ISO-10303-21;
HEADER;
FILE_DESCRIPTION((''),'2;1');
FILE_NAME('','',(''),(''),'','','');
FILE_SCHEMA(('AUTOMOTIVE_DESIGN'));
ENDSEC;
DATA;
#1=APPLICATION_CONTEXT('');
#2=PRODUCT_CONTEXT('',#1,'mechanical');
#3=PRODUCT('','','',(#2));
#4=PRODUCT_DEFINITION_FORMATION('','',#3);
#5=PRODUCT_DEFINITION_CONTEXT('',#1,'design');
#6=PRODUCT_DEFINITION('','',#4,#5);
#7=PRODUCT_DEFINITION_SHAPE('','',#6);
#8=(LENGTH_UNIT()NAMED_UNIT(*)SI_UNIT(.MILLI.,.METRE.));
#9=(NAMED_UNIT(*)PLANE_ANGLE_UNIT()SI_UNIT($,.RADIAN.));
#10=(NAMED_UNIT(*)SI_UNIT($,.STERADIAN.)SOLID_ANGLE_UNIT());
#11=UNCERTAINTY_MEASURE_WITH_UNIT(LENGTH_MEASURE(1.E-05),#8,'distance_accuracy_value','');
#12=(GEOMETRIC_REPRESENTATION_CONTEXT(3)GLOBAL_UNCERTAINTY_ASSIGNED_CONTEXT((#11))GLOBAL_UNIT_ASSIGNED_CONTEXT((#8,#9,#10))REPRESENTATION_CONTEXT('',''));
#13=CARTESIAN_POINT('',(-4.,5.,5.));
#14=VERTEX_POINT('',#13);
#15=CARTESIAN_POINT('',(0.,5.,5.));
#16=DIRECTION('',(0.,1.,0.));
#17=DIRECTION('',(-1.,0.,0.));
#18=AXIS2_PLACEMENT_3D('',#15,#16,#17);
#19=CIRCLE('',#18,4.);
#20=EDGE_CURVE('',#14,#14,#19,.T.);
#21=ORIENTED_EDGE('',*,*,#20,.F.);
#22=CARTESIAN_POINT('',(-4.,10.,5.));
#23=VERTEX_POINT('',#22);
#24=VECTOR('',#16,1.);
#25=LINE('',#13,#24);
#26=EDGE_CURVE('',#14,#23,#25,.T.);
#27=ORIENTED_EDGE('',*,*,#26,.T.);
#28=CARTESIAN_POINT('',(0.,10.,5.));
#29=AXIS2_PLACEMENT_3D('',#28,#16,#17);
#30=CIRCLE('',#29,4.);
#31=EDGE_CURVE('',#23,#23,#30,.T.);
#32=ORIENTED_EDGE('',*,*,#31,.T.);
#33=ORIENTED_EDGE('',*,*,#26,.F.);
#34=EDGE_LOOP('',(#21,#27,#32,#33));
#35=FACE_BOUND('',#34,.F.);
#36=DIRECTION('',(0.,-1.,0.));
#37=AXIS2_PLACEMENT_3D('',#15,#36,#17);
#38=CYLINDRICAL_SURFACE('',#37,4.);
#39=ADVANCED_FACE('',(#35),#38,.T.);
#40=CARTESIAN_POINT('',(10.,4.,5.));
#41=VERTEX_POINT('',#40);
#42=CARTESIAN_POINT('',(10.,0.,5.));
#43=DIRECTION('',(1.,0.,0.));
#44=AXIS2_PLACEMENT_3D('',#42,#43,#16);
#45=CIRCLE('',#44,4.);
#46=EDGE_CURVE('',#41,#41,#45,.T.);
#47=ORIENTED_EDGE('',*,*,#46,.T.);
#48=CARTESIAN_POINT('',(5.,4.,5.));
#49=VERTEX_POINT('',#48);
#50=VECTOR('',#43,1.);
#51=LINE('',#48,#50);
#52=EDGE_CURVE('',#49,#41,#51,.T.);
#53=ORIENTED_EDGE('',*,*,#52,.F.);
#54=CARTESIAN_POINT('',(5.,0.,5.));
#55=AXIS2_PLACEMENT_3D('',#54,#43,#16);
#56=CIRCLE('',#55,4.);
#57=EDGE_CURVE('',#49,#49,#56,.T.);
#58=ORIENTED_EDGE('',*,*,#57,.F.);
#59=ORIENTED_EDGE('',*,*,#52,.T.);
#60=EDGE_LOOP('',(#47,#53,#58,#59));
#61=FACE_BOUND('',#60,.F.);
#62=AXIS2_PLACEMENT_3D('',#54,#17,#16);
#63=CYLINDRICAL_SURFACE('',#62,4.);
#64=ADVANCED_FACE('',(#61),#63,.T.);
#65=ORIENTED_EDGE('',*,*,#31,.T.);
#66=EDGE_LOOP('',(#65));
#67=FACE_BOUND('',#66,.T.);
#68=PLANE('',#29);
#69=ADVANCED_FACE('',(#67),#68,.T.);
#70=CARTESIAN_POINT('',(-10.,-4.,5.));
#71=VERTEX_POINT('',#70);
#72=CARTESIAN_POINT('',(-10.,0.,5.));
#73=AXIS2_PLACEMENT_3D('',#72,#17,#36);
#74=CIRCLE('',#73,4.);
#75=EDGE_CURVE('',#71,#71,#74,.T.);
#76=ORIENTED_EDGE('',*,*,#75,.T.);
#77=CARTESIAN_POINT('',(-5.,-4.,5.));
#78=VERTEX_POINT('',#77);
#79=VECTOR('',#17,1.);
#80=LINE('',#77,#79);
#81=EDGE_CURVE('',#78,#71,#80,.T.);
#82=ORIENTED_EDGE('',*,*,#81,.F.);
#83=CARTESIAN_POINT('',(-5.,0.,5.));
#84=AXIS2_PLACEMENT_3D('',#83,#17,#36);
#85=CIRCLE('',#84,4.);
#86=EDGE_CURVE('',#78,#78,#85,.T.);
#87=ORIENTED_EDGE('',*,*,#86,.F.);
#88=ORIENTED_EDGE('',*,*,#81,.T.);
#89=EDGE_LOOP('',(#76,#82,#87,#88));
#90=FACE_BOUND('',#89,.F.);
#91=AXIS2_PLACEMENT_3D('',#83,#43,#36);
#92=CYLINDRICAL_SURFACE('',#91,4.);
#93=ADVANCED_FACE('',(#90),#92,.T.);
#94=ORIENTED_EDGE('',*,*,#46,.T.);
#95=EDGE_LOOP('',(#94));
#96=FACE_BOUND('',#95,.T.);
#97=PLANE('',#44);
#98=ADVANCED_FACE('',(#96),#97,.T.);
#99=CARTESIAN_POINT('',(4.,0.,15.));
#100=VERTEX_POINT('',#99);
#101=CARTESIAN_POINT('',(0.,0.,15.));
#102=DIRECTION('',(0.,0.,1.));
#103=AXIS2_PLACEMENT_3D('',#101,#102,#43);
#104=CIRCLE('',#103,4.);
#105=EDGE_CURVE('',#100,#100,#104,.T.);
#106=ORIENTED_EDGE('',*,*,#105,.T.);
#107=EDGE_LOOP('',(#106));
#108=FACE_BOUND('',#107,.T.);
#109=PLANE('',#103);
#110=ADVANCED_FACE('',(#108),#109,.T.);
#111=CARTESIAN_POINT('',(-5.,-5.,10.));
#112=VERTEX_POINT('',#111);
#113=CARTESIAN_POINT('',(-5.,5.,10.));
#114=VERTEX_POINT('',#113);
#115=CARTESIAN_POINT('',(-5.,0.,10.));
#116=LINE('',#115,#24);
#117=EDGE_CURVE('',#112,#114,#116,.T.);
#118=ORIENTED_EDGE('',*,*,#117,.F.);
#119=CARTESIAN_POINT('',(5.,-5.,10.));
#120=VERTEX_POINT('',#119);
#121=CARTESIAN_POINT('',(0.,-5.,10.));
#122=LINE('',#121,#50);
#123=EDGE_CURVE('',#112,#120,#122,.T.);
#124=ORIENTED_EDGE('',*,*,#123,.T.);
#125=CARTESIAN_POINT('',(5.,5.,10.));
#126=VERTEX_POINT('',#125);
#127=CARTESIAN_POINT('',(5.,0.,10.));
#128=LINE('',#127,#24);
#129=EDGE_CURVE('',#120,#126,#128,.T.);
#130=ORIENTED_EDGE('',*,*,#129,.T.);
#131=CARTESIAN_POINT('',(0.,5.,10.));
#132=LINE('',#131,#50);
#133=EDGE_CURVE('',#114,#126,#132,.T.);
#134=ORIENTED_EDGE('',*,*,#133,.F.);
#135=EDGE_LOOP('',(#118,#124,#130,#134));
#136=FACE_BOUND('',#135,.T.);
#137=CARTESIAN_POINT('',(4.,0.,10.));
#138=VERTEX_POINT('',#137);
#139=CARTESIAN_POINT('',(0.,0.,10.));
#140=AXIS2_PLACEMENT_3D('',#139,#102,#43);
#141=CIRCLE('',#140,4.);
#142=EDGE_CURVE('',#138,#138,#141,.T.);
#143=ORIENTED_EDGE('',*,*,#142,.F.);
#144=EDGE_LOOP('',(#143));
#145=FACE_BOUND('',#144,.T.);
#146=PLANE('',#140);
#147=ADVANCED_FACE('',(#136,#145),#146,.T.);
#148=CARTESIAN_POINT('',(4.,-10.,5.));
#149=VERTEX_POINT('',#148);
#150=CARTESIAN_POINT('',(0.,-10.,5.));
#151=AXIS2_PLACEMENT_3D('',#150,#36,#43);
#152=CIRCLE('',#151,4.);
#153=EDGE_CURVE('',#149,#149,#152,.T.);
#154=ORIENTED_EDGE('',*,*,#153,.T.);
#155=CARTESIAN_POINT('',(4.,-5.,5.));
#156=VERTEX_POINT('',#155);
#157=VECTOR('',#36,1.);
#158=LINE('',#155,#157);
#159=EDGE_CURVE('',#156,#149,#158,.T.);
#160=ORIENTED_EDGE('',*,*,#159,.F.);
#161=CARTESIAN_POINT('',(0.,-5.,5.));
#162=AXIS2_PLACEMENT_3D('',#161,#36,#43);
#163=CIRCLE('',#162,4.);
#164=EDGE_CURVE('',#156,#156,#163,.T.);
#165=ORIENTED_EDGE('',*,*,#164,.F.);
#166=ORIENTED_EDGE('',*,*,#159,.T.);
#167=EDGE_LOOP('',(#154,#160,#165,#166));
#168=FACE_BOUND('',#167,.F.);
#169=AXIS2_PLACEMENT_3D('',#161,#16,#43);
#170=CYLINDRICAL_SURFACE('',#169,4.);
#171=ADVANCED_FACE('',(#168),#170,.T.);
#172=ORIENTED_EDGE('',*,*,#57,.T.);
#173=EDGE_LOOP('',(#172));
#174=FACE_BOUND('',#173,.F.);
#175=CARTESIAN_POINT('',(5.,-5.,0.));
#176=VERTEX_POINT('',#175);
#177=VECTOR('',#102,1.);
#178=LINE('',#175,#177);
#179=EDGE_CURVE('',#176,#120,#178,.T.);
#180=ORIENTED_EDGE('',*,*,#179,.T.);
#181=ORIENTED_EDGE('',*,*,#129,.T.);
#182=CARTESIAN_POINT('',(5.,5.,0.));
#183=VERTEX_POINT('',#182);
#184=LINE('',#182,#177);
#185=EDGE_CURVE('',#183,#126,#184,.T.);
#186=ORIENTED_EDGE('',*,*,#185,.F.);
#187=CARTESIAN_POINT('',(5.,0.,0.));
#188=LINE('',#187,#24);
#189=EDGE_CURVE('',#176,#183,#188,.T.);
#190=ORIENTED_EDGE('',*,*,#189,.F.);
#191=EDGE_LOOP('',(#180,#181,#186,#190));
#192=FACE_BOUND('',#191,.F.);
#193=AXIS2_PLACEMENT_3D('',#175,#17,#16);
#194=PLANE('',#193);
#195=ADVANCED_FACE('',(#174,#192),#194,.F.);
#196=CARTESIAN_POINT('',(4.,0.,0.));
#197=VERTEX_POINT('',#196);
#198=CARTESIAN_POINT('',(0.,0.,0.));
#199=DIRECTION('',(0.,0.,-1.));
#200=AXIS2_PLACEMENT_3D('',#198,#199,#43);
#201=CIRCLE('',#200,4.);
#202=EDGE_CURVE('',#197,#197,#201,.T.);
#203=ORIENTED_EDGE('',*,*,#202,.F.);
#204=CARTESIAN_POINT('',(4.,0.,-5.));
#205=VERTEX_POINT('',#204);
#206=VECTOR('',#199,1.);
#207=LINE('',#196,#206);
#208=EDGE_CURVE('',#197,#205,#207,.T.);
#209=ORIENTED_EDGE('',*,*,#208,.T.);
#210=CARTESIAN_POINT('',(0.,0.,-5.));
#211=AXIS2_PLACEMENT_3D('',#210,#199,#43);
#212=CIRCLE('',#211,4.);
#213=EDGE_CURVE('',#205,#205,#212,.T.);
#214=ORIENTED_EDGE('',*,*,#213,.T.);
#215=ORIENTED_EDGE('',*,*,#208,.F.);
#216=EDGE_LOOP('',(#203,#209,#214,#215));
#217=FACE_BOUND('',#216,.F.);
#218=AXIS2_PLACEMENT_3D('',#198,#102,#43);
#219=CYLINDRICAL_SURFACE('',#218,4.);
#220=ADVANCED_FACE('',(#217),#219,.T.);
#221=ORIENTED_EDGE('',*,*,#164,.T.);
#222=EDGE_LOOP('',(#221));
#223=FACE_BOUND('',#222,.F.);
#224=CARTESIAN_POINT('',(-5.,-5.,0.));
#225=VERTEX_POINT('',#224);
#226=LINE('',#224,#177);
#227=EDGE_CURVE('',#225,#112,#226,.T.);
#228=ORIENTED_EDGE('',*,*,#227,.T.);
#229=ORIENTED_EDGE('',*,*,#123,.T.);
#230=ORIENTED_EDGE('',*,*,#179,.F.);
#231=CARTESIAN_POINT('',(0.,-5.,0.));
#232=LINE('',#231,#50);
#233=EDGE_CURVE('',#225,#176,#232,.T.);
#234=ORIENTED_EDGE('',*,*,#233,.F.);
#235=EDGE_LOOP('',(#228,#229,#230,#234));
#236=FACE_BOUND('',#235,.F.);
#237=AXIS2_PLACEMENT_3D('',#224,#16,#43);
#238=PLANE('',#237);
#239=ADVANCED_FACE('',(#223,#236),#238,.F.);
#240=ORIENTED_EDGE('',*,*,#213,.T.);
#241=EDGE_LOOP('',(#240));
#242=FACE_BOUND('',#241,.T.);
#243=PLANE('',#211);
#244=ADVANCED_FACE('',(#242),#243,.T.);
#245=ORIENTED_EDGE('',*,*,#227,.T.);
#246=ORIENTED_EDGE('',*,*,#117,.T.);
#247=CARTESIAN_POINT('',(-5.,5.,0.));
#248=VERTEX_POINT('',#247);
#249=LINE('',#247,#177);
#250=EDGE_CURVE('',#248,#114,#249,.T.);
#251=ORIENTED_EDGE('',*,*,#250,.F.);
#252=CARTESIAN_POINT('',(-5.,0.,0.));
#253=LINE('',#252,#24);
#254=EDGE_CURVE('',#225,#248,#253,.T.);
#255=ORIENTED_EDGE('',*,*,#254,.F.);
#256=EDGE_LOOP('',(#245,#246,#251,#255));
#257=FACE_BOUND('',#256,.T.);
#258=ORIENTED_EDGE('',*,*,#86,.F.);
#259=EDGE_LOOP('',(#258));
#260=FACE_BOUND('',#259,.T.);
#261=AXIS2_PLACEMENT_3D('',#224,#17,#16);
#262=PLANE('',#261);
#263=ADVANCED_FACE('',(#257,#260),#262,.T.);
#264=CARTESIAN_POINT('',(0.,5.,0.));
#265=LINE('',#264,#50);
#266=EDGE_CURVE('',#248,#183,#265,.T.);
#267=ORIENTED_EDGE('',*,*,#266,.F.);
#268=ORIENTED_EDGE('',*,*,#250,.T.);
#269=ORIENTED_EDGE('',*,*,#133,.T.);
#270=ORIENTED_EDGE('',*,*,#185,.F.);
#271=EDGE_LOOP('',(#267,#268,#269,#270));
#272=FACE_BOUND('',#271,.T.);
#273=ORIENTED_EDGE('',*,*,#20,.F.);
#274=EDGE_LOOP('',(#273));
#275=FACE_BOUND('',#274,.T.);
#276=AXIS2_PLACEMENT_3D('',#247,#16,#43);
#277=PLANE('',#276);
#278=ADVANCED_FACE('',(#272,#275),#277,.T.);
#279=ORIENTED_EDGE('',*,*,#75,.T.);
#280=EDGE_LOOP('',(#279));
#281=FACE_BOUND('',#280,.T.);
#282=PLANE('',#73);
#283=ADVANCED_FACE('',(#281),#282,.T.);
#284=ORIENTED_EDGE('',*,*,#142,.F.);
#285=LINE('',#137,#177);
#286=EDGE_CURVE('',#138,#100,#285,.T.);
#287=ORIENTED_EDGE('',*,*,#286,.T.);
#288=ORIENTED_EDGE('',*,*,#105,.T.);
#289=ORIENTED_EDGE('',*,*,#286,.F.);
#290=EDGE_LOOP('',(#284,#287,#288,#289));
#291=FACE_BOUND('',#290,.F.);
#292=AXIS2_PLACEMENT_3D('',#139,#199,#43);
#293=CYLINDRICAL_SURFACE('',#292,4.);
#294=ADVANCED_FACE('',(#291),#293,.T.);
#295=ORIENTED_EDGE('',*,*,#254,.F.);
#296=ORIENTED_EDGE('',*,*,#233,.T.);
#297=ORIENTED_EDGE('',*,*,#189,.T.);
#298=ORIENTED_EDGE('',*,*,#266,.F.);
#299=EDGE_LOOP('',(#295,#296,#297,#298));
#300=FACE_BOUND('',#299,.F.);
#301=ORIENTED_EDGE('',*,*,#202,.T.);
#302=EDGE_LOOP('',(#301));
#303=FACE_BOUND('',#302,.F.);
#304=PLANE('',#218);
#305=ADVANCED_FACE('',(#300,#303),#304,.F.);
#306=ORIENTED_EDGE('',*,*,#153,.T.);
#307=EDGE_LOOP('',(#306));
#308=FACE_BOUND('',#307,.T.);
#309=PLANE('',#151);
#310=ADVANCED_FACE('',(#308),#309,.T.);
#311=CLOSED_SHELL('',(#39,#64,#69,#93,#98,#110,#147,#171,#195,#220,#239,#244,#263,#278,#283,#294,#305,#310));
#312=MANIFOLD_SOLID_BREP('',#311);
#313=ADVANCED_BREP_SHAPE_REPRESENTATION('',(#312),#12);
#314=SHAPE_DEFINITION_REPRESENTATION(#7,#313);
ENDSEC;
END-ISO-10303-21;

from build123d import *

# Parameters (mm, degrees)
F0_W      = 10
F0_H      = 10
F1_DEPTH  = 10
F2_R      = 4
F3_DEPTH  = 5
F4_R      = 4
F5_DEPTH  = 5
F6_R      = 4
F7_DEPTH  = 5
F8_R      = 4
F9_DEPTH  = 5
F10_R     = 4
F11_DEPTH = 5
F12_R     = 4
F13_DEPTH = 5


with BuildPart() as f1:
    # F0 (on Top) → F1 (new body)
    with BuildSketch(Plane.XY):
        Rectangle(F0_W, F0_H)
    extrude(amount=F1_DEPTH)

    # F2 (on face) → F3 (join)
    with BuildSketch(Plane.YZ.offset(5)):
        with Locations((0, 5)):
            Circle(F2_R)
    extrude(amount=F3_DEPTH)

    # F4 (on face) → F5 (join)
    with BuildSketch(Plane(origin=(0, 0, 0), x_dir=(1, 0, 0), z_dir=(0, 0, -1))):
        Circle(F4_R)
    extrude(amount=F5_DEPTH)

    # F6 (on face) → F7 (join)
    with BuildSketch(Plane(origin=(-5, 0, 0), x_dir=(0, -1, 0), z_dir=(-1, 0, 0))):
        with Locations((0, 5)):
            Circle(F6_R)
    extrude(amount=F7_DEPTH)

    # F8 (on face) → F9 (join)
    with BuildSketch(Plane.XY.offset(10)):
        Circle(F8_R)
    extrude(amount=F9_DEPTH)

    # F10 (on face) → F11 (join)
    with BuildSketch(Plane(origin=(0, 5, 0), x_dir=(-1, 0, 0), z_dir=(0, 1, 0))):
        with Locations((0, 5)):
            Circle(F10_R)
    extrude(amount=F11_DEPTH)

    # F12 (on face) → F13 (join)
    with BuildSketch(Plane.XZ.offset(5)):
        with Locations((0, 5)):
            Circle(F12_R)
    extrude(amount=F13_DEPTH)


solid = f1.part
